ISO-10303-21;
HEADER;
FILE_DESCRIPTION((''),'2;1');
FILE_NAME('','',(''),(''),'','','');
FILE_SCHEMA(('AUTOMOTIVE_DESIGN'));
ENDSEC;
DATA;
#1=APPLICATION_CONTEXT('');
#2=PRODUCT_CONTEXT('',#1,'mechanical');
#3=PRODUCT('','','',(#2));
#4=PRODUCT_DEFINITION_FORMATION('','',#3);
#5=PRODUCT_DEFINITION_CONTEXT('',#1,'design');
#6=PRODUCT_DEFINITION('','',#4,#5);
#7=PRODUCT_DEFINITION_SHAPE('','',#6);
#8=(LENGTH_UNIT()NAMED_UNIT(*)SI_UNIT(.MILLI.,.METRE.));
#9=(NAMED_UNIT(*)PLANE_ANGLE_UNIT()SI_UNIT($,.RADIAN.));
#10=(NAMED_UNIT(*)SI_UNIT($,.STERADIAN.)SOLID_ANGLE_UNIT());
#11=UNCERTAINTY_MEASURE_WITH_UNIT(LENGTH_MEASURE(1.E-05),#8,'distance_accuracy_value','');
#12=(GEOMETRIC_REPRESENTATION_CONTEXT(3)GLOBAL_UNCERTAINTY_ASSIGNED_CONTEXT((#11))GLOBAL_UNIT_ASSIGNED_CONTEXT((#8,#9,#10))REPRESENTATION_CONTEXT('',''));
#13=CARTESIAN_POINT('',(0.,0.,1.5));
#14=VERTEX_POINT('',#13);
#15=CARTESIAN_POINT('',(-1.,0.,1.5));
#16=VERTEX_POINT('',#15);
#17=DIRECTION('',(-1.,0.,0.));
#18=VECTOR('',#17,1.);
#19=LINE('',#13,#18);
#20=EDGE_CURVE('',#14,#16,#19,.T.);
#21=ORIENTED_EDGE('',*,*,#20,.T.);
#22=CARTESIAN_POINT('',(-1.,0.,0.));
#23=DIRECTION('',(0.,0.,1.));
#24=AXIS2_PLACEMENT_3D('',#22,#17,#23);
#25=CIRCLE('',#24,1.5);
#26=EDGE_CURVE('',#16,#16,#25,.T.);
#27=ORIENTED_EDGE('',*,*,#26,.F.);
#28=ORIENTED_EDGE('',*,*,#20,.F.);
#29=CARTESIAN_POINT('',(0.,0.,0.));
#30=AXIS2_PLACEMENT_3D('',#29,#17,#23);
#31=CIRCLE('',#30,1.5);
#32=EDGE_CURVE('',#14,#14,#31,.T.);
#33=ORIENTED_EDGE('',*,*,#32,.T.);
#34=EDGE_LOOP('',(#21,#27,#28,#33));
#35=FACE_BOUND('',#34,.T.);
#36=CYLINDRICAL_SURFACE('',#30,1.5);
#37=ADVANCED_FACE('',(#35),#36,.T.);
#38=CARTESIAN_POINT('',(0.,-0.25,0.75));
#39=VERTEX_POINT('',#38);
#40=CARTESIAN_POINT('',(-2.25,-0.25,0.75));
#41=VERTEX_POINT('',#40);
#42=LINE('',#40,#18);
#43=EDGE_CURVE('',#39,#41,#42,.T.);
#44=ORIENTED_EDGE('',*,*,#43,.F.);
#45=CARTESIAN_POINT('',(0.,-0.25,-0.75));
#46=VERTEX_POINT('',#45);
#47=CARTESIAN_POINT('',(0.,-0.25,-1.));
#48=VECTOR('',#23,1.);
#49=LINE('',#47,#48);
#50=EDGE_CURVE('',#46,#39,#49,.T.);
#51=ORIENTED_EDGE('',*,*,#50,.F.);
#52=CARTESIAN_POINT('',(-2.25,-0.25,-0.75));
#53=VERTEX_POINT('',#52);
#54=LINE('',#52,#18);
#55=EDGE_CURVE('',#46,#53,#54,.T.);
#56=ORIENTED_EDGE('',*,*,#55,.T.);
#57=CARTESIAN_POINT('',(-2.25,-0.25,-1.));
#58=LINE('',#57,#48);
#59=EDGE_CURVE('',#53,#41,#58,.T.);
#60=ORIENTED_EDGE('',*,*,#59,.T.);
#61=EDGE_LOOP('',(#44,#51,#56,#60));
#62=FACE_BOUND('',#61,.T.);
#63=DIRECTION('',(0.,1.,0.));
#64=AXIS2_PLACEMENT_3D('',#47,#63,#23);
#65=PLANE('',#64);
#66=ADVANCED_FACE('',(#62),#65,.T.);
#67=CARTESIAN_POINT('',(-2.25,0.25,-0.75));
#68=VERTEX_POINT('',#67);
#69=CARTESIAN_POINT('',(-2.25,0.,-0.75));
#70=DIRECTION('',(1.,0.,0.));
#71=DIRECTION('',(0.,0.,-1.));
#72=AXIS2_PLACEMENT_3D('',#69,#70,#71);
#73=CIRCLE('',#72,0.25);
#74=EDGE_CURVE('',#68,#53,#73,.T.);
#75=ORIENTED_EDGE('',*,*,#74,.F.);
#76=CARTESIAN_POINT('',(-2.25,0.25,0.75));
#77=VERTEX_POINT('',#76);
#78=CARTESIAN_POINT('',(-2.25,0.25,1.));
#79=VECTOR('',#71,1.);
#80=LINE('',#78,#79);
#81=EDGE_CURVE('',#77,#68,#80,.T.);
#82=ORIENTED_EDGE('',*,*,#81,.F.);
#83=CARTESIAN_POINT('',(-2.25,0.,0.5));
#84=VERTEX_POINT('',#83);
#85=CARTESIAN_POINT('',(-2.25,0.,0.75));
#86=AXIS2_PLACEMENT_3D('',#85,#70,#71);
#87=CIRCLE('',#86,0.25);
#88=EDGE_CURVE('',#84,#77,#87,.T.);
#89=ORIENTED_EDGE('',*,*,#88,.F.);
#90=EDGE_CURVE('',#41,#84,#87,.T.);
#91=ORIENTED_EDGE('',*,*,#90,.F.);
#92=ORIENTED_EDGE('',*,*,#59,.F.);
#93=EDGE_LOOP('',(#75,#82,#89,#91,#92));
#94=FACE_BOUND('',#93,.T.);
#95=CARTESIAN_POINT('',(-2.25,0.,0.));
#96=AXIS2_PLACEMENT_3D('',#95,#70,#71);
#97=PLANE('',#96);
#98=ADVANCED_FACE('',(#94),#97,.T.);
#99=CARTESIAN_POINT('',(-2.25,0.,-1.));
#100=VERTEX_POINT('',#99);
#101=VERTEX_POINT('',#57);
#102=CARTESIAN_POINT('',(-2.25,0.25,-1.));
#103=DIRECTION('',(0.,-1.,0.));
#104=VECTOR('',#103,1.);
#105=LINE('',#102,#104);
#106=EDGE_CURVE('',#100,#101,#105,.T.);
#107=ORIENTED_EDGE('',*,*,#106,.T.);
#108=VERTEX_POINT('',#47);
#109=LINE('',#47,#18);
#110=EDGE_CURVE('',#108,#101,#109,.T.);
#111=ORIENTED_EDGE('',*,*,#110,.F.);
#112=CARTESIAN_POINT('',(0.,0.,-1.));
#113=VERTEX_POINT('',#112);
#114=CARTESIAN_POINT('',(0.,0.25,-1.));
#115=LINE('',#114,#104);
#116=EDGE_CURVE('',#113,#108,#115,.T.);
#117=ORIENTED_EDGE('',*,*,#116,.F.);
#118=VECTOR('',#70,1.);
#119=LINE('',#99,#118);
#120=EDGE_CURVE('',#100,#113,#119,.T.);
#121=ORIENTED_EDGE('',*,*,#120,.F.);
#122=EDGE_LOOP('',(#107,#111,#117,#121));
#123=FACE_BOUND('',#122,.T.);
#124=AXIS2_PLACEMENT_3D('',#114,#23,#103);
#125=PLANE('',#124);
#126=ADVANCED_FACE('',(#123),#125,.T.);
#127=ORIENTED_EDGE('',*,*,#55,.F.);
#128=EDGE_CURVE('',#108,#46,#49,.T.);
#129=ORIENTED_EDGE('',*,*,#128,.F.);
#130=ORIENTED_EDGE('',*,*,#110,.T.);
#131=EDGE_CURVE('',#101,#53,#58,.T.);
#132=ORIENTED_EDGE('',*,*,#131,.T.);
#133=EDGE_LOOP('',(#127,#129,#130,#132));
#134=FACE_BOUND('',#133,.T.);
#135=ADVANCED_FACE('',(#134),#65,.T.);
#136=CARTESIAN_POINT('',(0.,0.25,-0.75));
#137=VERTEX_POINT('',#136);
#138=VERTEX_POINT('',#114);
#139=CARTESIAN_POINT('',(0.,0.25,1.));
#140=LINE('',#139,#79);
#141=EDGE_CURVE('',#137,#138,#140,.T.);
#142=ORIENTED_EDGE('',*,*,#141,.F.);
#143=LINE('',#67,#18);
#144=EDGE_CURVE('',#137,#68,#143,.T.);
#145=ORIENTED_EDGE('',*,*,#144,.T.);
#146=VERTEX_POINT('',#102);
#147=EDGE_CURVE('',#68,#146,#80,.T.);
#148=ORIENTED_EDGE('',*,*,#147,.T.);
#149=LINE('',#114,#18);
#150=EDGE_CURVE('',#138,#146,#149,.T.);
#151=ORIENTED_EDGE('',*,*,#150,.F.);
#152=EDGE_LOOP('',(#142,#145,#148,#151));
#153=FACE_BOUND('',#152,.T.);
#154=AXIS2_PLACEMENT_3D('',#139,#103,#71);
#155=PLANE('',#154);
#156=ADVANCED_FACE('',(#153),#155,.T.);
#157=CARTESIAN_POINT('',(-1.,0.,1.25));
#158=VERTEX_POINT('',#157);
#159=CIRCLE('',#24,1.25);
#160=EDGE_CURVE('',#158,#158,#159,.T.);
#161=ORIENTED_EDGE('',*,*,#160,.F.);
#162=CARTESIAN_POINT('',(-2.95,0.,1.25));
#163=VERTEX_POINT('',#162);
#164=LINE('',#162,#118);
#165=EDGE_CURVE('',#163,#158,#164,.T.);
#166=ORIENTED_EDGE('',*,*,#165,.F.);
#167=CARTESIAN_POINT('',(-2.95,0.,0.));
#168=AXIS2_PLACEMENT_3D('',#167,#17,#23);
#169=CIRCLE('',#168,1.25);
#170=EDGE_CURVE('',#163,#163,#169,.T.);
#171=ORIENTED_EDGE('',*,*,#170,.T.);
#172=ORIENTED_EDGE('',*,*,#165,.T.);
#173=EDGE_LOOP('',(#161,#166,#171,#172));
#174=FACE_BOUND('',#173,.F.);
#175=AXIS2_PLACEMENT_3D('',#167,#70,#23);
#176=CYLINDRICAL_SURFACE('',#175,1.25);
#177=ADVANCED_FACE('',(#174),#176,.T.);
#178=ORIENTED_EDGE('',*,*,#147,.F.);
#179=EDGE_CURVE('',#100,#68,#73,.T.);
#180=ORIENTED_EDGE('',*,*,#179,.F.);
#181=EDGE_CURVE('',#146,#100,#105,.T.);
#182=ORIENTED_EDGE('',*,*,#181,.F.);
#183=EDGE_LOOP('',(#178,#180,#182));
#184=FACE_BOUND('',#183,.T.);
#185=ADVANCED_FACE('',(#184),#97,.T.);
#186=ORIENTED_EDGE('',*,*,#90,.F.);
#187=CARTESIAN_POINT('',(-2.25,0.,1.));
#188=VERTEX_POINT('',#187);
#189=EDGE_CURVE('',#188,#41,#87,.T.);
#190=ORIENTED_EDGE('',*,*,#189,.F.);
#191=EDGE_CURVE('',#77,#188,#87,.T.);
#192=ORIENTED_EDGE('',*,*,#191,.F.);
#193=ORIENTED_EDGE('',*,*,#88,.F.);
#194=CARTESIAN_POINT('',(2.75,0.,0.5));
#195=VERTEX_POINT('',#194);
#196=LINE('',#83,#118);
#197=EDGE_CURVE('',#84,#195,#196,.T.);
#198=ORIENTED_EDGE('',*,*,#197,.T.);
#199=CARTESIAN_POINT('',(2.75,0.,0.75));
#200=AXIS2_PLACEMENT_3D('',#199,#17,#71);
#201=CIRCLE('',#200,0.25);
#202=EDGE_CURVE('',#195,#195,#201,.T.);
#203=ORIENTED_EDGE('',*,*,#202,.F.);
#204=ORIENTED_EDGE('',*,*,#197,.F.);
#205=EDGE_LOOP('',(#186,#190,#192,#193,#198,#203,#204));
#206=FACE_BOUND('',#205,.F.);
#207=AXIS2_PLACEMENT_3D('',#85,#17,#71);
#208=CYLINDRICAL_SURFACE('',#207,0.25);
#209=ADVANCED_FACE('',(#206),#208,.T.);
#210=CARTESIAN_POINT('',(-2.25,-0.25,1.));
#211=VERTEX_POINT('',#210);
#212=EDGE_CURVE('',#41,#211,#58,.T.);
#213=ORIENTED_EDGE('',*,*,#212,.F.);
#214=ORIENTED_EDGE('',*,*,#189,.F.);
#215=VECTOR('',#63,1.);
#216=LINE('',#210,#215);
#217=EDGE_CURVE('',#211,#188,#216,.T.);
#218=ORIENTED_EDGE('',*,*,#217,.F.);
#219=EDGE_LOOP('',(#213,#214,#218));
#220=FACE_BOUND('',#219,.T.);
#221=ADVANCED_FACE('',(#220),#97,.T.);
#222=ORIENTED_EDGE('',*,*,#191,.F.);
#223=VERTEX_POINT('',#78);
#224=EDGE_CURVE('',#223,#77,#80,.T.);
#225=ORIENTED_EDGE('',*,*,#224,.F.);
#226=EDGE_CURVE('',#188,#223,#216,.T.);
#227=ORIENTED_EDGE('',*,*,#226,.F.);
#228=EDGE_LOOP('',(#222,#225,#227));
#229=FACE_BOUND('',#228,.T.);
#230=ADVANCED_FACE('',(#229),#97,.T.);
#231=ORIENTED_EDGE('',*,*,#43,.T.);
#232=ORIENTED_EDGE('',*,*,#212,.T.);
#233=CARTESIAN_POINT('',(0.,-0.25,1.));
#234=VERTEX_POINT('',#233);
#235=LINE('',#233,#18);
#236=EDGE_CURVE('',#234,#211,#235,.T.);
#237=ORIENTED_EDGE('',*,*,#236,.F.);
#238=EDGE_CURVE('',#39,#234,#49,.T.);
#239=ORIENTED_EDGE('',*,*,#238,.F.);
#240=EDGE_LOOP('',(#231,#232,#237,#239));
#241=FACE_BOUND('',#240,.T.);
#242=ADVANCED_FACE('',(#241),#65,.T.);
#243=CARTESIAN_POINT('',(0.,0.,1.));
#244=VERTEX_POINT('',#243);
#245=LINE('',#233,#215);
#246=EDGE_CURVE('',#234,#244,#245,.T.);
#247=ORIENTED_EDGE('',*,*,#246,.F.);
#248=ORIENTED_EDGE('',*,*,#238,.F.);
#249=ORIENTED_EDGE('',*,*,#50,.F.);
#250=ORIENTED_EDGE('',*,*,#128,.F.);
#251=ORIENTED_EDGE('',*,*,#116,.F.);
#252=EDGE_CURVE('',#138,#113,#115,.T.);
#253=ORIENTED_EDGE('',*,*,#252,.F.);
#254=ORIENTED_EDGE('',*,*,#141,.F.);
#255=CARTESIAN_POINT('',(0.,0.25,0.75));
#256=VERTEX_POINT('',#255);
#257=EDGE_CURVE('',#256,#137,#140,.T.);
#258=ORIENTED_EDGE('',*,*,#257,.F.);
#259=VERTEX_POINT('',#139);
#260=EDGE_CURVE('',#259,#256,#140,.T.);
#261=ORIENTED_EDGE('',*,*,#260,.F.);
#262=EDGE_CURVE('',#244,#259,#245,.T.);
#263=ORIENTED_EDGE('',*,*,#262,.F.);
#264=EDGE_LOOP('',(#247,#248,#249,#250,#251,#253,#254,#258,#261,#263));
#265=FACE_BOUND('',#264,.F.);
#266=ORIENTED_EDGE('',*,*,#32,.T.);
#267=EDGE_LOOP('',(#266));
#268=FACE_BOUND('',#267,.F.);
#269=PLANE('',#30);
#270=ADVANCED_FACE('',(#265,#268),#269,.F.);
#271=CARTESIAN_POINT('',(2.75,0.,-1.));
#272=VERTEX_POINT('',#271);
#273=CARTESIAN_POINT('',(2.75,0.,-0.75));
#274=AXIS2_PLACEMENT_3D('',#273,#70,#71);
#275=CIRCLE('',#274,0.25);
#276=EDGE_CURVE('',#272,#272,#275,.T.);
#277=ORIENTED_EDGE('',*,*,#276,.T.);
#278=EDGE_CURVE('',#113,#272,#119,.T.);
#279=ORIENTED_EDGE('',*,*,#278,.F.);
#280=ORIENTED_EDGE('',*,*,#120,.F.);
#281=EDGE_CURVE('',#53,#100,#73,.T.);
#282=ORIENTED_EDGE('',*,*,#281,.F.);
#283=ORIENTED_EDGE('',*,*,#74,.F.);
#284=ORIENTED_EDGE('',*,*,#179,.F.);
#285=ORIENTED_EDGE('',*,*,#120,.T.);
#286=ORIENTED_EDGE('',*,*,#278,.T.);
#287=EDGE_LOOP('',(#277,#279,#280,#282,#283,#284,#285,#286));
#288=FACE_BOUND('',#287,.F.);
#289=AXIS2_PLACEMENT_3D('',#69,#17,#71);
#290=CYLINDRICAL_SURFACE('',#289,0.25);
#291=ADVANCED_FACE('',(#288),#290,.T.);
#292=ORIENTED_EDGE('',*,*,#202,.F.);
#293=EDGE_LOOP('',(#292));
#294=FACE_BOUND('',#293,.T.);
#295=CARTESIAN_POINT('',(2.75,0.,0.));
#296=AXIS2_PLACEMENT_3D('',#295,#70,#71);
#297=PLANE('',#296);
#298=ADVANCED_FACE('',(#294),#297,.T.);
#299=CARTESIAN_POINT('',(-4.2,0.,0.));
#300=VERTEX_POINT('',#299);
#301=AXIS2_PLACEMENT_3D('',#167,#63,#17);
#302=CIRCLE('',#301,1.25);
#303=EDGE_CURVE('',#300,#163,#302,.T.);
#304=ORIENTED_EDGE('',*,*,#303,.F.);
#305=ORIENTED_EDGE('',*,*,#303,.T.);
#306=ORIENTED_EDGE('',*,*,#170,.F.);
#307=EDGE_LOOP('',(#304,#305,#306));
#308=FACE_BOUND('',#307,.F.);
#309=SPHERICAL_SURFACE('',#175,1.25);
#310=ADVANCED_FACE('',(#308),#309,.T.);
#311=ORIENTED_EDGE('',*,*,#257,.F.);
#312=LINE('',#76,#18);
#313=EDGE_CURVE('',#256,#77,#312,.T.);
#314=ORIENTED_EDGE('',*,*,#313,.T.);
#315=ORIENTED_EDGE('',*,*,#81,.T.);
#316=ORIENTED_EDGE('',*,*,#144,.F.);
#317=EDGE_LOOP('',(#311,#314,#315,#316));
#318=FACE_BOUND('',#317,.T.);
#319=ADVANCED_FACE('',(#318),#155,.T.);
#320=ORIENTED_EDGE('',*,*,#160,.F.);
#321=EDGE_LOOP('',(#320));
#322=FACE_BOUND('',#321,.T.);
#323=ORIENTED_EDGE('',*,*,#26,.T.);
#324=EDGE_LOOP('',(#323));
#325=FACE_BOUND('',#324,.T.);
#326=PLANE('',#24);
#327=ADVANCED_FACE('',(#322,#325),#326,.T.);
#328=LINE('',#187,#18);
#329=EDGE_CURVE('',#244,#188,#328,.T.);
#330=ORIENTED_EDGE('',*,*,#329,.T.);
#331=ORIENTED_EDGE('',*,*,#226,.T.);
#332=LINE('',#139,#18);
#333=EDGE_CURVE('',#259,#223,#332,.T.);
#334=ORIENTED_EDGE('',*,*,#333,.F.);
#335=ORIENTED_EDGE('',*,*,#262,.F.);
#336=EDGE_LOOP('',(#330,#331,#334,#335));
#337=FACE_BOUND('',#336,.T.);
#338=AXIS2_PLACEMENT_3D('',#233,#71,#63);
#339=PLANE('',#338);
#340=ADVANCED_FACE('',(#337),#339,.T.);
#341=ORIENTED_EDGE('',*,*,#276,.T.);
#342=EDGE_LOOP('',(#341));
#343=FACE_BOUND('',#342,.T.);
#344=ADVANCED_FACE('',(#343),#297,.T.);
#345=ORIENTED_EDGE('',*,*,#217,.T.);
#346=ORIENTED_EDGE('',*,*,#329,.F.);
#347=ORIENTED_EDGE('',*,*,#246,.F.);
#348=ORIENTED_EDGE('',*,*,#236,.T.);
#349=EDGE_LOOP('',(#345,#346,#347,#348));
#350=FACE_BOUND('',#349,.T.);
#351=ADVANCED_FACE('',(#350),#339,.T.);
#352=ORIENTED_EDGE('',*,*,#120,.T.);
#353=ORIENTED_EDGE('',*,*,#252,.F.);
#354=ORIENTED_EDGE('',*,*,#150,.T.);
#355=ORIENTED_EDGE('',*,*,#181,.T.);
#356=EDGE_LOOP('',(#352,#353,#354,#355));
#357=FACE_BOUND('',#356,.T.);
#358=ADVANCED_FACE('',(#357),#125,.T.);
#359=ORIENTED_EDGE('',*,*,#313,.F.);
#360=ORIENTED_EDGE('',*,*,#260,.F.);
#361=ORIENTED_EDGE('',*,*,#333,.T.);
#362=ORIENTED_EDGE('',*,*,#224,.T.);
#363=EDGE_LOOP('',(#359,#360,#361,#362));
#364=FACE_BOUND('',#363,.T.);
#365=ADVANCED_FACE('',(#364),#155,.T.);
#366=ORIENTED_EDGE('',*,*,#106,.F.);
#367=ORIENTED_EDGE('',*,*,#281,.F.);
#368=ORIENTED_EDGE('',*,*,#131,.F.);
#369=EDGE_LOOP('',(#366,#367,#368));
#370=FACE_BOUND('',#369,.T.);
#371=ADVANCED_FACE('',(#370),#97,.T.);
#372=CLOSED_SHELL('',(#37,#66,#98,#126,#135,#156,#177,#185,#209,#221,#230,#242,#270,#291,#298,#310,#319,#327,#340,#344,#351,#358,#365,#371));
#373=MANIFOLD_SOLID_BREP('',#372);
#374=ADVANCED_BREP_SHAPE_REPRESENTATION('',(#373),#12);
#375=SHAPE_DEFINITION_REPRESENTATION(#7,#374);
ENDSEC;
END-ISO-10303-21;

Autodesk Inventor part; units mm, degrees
ref_plane "YZ Plane" through (0, 0, 0) normal (1, 0, 0) x (0, 1, 0)
ref_plane "XZ Plane" through (0, 0, 0) normal (0, 1, 0) x (-1, 0, 0)
ref_plane "XY Plane" through (0, 0, 0) normal (0, 0, 1) x (1, 0, 0)
sketch "Body" plane through (0, 0, 0) normal (0, 1, 0) x (-1, 0, 0)
  line L0 (0, 1.5) -> (0, 0)
  line L1 (0, 1.5) -> (1, 1.5)
  line L2 (1, 1.5) -> (1, 1.25)
  line L3 (0, 0) -> (4.2, 0)
  arc A0 (4.2, 0) -> (2.95, 1.25) centre (2.95, 0) ccw
  line L4 (2.95, 1.25) -> (1, 1.25)
  point P0 (0, 0)
  dimension "d1" = 1
  dimension "d2" = 4.2
  dimension "d3" = 1.5
  dimension "d4" = 0.25
revolve "Revolution1" add sketch "Body" angle 360 about axis through (0, 0, 0) along (-1, 0, 0)
sketch "Sketch2" plane through (0, 0, 0) normal (1, 0, 0) x (0, 0, -1)
  line L0 (-1, 0.25) -> (1, 0.25)
  line L1 (1, 0.25) -> (1, -0.25)
  line L2 (1, -0.25) -> (-1, -0.25)
  line L3 (-1, -0.25) -> (-1, 0.25)
  circle A0 centre (0, 0) radius 1.5 construction
  line L4 (-1, 0) -> (1, 0) construction
  dimension "d9" = 0.5
  dimension "d10" = 0.5
extrude "Extrusion1" cut sketch "Sketch2" against normal blind 2.25
sketch "Sketch3" plane through (-2.25, 0, 0) normal (1, 0, 0) x (0, 0, -1)
  circle A0 centre (-0.75, 0) radius 0.25
  line L0 (-1, 0.25) -> (1, 0.25) construction
  line L1 (1, -0.25) -> (-1, -0.25) construction
  line L2 (-1, -0.25) -> (-1, 0.25) projected
  line L3 (0, 0.25) -> (0, -0.25) construction
  circle A1 centre (0.75, 0) radius 0.25
  point P0 (0, 0)
extrude "Extrusion2" add sketch "Sketch3" along normal blind 5
properties part number "Led3mm"
